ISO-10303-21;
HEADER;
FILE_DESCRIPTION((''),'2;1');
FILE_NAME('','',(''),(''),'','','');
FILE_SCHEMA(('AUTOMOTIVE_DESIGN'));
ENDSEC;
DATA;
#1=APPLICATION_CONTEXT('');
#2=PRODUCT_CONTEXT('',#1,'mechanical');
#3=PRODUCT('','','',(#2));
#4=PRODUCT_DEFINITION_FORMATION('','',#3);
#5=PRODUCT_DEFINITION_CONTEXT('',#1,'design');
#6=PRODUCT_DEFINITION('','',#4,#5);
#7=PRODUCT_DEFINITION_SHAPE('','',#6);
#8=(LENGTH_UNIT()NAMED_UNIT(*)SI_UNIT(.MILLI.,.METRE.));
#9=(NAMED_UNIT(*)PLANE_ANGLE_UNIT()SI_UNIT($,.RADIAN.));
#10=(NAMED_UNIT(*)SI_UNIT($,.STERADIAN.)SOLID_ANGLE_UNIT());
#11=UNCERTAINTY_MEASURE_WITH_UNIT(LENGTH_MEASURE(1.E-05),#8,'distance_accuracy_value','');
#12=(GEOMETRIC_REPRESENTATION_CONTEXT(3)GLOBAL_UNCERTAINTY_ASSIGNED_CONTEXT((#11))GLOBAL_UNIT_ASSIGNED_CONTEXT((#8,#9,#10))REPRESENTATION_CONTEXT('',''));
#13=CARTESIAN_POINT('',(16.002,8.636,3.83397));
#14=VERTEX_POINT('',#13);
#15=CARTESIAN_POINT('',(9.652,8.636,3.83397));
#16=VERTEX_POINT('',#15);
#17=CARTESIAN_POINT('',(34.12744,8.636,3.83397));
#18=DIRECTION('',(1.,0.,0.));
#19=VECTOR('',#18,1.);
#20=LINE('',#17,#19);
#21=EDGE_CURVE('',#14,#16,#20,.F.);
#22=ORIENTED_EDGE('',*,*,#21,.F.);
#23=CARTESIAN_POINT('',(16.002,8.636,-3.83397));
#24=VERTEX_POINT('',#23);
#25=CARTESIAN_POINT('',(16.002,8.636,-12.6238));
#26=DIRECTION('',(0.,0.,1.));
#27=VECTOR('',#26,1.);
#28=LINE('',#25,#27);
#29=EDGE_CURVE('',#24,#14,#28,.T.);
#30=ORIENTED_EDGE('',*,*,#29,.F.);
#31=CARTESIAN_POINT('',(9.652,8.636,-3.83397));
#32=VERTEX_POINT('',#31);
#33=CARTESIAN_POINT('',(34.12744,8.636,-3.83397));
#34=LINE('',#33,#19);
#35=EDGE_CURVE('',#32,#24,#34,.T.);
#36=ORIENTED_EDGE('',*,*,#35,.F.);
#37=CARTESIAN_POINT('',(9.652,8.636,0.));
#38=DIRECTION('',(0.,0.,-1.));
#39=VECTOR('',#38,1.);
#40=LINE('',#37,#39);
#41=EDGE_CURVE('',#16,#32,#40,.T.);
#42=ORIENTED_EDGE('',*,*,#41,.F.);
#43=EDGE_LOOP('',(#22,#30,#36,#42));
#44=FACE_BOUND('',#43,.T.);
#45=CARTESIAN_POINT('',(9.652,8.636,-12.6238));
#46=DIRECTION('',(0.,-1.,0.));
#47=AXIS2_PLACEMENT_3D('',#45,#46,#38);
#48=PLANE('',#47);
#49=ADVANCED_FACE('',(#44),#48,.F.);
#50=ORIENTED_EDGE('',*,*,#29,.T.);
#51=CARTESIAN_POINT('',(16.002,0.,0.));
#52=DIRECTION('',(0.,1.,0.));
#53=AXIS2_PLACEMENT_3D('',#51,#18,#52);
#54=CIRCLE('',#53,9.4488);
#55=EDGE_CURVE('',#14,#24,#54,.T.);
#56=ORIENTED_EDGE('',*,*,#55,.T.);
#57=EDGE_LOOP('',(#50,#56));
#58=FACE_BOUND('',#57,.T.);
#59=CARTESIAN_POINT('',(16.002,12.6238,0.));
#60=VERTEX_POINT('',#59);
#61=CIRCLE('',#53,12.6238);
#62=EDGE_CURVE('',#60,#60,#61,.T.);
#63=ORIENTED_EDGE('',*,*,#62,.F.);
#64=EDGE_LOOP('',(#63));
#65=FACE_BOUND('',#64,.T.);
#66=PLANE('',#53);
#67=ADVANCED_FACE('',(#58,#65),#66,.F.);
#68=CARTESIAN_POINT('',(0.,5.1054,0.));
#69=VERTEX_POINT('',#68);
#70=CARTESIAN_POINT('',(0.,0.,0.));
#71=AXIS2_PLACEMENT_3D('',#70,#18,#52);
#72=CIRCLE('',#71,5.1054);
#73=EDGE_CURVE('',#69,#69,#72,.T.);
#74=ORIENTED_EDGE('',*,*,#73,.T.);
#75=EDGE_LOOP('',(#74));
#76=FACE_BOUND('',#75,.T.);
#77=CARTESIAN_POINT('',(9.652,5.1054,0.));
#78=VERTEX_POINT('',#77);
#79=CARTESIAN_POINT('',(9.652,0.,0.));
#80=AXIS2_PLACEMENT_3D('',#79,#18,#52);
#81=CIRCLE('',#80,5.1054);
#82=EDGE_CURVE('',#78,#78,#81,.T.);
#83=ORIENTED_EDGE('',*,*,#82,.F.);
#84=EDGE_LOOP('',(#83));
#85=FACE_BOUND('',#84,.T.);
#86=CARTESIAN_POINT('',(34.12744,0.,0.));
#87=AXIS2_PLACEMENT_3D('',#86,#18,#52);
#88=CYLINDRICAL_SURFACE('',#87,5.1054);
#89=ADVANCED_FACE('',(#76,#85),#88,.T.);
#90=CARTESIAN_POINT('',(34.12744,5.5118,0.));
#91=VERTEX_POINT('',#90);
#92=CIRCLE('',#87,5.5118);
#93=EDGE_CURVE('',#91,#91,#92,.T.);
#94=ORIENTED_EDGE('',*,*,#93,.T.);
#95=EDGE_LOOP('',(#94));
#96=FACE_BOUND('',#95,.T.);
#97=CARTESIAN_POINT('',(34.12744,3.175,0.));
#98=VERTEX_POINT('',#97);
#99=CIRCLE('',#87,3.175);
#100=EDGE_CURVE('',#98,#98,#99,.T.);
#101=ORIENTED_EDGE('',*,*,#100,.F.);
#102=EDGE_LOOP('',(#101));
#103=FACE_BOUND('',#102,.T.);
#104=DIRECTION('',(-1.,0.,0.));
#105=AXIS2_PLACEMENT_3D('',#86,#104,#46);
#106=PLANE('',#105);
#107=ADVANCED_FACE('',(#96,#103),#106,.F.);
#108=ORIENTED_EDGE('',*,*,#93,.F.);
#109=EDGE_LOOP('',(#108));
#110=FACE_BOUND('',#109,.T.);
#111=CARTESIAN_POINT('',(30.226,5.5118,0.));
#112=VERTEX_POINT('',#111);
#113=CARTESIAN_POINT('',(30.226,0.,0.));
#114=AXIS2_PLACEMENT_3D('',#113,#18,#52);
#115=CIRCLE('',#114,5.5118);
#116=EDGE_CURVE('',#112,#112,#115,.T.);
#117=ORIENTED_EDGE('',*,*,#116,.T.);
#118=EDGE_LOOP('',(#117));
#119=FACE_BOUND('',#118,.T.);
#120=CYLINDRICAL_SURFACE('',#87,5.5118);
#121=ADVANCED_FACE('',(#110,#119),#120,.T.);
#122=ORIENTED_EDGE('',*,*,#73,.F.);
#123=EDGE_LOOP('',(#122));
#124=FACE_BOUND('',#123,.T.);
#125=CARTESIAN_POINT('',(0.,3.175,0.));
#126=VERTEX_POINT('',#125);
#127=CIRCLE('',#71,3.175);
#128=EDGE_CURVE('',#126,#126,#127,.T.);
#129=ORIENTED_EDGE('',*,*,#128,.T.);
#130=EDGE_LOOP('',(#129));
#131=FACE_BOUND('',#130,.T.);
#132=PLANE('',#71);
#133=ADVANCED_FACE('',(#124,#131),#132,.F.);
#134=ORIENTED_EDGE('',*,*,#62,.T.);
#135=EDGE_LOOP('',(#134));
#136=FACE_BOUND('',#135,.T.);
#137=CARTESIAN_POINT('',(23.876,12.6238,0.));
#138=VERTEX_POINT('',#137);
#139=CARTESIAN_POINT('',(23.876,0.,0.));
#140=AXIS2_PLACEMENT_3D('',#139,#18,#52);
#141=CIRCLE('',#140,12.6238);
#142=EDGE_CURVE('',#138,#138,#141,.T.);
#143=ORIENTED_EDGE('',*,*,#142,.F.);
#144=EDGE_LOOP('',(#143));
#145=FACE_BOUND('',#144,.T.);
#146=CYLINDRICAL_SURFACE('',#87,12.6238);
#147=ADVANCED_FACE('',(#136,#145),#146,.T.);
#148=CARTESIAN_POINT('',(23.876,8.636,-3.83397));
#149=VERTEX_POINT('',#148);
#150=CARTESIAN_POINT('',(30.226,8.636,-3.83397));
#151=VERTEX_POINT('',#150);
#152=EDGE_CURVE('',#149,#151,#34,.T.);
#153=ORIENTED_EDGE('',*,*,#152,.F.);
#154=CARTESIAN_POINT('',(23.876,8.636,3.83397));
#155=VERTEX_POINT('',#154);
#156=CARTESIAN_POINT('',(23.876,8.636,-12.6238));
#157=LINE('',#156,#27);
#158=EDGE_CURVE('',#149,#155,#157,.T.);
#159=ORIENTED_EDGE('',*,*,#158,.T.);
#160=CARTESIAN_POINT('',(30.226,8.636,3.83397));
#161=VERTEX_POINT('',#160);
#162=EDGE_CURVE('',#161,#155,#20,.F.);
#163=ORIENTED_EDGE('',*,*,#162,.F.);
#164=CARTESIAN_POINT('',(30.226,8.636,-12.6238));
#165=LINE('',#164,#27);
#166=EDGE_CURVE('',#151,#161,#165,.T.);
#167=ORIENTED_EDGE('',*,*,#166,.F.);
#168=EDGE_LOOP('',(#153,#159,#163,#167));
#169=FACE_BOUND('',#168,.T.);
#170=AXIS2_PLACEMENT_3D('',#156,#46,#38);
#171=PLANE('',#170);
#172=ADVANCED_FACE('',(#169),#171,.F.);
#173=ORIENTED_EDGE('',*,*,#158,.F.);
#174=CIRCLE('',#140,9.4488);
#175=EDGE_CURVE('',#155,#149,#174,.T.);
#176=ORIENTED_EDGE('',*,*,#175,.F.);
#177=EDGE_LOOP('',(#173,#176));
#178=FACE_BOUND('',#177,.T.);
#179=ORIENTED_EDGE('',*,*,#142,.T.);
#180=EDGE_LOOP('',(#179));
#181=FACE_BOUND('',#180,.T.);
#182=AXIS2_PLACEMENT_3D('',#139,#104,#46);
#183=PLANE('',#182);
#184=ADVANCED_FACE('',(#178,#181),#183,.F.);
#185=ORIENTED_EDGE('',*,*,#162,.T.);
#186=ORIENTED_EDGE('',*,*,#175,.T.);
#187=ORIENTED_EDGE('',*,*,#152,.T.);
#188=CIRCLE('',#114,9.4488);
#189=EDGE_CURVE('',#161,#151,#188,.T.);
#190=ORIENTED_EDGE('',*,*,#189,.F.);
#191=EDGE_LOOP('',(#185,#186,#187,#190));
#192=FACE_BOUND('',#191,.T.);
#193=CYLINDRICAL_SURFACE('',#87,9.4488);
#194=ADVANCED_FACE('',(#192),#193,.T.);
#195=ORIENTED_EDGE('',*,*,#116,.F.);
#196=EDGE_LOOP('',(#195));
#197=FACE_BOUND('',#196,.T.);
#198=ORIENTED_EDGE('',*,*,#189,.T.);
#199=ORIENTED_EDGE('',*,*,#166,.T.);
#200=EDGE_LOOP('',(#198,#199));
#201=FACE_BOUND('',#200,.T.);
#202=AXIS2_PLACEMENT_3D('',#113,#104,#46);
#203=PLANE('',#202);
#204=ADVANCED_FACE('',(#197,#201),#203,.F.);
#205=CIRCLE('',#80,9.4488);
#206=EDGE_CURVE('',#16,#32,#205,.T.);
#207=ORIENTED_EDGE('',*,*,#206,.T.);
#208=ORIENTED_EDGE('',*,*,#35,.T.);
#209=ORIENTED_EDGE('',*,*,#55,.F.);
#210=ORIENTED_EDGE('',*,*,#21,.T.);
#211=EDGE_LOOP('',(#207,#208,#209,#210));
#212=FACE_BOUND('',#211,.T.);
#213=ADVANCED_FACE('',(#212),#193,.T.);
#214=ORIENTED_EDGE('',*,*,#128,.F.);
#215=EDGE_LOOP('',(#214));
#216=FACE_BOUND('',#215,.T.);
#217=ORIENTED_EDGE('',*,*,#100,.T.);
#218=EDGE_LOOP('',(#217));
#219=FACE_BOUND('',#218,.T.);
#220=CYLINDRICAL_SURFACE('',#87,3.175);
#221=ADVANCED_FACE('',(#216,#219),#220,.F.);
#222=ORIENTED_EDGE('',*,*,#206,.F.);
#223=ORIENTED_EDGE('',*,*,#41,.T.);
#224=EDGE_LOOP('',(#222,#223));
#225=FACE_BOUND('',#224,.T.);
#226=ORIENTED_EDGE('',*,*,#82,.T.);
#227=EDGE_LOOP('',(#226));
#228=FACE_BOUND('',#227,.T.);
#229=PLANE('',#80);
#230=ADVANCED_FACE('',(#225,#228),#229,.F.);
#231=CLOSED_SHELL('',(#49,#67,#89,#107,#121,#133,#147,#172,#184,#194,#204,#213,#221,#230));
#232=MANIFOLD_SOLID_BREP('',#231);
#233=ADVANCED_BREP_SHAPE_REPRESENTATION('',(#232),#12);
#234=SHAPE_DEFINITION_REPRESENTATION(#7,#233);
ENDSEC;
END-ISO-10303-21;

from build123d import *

# Parameters (mm, degrees)
CUT_EXTRUDE1_DEPTH      = 39.514968698
CUT_EXTRUDE1_DEPTH_BACK = 39.514968698
SKETCH2_W               = 6.35
SKETCH2_H               = 0.8128


with BuildPart() as part:
    # Sketch1 → Revolve1 (revolve)
    with BuildSketch(Plane.XY):
        Polygon((0, 5.1054), (0, 3.175), (34.12744, 3.175), (34.12744, 5.5118), (30.226, 5.5118), (30.226, 9.4488), (23.876, 9.4488), (23.876, 12.6238), (16.002, 12.6238), (16.002, 9.4488), (9.652, 9.4488), (9.652, 5.1054), align=None)
    revolve(axis=Axis((34.12744, 0, 0), (-1, 0, 0)))

    # Sketch2 → Cut-Extrude1 (cut, two sides: drawn at the far end of the back side and taken through both)
    with BuildSketch(Plane.XY.offset(-CUT_EXTRUDE1_DEPTH_BACK)):
        with Locations((12.827, 9.0424)):
            Rectangle(SKETCH2_W, SKETCH2_H)
        with Locations((27.051, 9.0424)):
            Rectangle(SKETCH2_W, SKETCH2_H)
    extrude(amount=CUT_EXTRUDE1_DEPTH + CUT_EXTRUDE1_DEPTH_BACK, mode=Mode.SUBTRACT)


solid = part.part
